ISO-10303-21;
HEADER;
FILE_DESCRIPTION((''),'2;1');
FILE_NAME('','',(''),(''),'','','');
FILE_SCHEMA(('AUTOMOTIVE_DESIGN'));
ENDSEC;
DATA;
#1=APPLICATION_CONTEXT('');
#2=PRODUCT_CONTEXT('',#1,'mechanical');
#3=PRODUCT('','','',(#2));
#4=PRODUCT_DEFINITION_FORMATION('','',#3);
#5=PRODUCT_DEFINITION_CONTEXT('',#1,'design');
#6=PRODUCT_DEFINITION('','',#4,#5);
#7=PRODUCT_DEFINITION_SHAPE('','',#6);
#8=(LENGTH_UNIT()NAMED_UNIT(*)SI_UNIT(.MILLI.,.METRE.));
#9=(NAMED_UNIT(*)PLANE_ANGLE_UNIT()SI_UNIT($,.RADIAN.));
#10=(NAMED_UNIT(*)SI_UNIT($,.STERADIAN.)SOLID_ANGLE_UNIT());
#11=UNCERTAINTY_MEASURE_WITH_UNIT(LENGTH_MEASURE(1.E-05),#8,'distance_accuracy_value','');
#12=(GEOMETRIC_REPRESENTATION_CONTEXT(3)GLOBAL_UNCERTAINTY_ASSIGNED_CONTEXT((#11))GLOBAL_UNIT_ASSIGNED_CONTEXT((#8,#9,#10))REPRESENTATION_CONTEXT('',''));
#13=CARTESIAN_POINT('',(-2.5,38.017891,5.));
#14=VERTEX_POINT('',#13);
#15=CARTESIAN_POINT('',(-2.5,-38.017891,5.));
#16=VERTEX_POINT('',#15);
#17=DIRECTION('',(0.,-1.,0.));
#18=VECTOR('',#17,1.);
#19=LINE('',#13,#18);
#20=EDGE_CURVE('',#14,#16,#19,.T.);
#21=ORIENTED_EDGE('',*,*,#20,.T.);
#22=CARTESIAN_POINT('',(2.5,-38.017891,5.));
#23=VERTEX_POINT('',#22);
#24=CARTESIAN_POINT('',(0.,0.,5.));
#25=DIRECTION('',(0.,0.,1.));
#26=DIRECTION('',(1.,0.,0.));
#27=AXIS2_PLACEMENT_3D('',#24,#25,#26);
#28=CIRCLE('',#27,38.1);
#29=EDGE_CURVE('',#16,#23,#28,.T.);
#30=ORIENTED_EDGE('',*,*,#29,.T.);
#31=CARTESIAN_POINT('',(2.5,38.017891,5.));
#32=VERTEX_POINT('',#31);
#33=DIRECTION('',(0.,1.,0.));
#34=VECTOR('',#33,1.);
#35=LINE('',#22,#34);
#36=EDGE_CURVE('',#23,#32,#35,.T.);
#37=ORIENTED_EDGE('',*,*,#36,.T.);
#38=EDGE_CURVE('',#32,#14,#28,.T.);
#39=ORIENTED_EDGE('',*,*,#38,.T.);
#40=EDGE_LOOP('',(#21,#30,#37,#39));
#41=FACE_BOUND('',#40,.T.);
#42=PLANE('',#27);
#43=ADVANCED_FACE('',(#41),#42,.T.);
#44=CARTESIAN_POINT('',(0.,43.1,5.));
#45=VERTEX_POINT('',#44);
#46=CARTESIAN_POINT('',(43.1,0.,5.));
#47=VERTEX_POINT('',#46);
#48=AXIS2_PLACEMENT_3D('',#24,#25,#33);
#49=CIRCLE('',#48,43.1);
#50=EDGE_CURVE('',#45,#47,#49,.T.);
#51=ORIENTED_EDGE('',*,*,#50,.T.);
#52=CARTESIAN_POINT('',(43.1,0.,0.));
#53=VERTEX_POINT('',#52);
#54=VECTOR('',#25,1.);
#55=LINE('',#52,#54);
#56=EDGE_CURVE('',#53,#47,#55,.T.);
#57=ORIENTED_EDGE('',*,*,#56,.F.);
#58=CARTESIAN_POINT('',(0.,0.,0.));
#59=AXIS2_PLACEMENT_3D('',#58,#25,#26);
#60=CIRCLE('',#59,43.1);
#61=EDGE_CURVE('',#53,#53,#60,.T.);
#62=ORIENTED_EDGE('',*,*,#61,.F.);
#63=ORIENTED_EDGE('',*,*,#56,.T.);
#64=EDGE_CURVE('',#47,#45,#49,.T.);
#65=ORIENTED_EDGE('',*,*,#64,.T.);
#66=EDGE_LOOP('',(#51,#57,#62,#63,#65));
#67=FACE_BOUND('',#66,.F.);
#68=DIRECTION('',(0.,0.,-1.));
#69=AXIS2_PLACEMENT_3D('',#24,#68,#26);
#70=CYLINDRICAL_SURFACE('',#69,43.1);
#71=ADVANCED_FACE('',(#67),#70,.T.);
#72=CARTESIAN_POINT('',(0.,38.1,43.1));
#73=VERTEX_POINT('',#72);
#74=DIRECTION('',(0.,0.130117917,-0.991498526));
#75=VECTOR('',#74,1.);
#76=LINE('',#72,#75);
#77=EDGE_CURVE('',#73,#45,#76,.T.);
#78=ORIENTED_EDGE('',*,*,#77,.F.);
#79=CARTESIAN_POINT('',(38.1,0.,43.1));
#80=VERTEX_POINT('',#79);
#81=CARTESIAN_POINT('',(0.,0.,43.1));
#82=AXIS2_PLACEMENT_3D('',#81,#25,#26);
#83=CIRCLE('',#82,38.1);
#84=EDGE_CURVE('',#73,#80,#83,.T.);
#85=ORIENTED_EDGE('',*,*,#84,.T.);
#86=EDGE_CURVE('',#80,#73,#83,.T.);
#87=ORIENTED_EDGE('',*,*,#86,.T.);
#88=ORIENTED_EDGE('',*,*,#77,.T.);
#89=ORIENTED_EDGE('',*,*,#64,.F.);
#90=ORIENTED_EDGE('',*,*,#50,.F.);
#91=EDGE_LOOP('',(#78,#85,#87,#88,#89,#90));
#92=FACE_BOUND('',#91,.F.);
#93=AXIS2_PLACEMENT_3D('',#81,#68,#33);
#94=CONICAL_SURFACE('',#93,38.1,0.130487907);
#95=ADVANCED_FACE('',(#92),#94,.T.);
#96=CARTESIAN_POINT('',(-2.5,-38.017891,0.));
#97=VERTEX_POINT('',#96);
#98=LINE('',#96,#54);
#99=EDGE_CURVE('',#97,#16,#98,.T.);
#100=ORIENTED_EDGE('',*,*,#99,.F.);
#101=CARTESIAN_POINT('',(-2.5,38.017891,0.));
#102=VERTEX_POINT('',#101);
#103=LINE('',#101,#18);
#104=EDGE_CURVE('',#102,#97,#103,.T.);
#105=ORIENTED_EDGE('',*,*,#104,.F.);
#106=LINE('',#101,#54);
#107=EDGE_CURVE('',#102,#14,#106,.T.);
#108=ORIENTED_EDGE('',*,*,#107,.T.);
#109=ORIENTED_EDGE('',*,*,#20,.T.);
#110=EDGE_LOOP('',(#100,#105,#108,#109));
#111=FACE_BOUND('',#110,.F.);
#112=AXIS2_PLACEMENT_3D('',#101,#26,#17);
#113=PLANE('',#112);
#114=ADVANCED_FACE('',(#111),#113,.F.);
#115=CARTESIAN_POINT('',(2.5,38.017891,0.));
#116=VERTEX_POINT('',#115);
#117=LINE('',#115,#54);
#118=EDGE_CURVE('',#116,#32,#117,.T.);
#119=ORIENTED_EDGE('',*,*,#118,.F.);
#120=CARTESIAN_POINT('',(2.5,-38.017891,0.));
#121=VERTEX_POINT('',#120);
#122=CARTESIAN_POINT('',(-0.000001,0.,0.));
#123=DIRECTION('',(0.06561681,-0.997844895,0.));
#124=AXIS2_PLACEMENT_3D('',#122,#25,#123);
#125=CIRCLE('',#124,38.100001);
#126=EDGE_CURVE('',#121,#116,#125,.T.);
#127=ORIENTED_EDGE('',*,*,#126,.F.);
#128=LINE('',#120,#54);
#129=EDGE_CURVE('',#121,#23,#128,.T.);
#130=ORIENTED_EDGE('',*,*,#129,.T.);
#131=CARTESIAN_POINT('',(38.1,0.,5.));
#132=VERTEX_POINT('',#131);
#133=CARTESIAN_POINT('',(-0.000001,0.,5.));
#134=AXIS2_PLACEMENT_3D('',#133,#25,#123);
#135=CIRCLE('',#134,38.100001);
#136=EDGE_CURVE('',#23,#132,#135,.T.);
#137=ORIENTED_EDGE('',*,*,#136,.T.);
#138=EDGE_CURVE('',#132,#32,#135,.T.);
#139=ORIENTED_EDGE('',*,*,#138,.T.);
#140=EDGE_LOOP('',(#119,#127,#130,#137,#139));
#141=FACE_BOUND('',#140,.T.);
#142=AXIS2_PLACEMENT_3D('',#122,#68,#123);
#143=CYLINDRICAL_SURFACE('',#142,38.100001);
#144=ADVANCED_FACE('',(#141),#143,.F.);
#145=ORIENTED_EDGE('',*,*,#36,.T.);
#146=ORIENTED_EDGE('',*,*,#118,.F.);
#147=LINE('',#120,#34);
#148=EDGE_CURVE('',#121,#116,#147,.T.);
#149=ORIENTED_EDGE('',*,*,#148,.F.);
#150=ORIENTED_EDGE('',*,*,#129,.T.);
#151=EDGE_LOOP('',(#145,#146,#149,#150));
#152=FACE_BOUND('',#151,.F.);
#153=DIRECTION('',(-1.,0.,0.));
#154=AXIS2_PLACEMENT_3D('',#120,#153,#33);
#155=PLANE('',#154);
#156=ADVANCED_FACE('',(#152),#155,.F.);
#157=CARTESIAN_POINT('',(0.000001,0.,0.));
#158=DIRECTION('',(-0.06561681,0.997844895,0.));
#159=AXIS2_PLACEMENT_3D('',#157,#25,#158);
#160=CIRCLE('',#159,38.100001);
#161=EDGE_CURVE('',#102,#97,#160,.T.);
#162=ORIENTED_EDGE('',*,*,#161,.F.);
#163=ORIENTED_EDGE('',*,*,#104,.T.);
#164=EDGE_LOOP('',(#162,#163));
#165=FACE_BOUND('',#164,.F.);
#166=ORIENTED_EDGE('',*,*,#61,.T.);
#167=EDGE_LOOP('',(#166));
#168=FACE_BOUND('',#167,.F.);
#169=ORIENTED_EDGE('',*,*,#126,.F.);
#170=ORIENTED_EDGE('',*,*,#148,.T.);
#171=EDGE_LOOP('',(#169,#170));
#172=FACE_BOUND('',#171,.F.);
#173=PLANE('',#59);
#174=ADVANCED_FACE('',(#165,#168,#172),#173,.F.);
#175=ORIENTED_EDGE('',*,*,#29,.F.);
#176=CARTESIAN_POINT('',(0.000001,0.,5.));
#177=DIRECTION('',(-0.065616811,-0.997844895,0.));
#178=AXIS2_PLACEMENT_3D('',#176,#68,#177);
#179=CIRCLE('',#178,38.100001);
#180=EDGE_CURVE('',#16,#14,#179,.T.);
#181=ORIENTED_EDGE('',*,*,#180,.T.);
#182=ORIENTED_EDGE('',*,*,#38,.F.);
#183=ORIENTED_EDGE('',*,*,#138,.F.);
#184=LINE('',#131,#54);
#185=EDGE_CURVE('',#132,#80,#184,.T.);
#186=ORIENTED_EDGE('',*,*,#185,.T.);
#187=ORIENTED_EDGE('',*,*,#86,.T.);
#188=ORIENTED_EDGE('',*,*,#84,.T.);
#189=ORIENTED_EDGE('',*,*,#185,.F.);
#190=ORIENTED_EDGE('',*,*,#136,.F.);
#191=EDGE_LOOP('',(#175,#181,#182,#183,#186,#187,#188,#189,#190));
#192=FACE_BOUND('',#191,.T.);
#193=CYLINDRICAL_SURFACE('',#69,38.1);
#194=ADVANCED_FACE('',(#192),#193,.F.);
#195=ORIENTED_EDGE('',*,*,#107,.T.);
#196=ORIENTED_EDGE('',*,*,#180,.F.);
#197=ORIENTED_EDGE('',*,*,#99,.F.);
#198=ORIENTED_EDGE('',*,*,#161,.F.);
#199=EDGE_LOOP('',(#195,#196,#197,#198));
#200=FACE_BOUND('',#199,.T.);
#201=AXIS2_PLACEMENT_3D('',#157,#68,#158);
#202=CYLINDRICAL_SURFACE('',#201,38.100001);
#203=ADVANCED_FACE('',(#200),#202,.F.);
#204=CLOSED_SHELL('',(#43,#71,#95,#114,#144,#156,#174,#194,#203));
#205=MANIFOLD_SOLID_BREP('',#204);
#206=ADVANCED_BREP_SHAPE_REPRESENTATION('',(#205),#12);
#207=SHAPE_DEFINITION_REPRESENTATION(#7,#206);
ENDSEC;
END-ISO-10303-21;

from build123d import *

# Parameters (mm, degrees)
SKETCH_R      = 43.1
PAD_DEPTH     = 5
SKETCH001_R   = 43.1
SKETCH001_R_2 = 38.1
PAD001_DEPTH  = 38.1


with BuildPart() as part:
    # Sketch → Pad (new body)
    with BuildSketch(Plane.XY):
        Circle(SKETCH_R)
        with BuildLine():
            ThreePointArc((-2.5, 38.017891), (-38.1, 0), (-2.5, -38.017891))
            Line((-2.5, 38.017891), (-2.5, -38.017891))
        make_face(mode=Mode.SUBTRACT)
        with BuildLine():
            Line((2.5, -38.017891), (2.5, 38.017891))
            ThreePointArc((2.5, -38.017891), (38.1, 0), (2.5, 38.017891))
        make_face(mode=Mode.SUBTRACT)
    extrude(amount=PAD_DEPTH)

    # Sketch001 (on Face7 of Pad) → Pad001 (join)
    with BuildSketch(Plane.XY.offset(5)):
        Circle(SKETCH001_R)
        Circle(SKETCH001_R_2, mode=Mode.SUBTRACT)
    extrude(amount=PAD001_DEPTH)

    # Sketch002 → Groove (revolve, cut)
    with BuildSketch(Plane.YZ):
        Polygon((38.1, 43.1), (43.1, 5), (43.1, 43.1), align=None)
    revolve(axis=Axis((0, 0, 0), (0, 0, 1)), mode=Mode.SUBTRACT)


solid = part.part
